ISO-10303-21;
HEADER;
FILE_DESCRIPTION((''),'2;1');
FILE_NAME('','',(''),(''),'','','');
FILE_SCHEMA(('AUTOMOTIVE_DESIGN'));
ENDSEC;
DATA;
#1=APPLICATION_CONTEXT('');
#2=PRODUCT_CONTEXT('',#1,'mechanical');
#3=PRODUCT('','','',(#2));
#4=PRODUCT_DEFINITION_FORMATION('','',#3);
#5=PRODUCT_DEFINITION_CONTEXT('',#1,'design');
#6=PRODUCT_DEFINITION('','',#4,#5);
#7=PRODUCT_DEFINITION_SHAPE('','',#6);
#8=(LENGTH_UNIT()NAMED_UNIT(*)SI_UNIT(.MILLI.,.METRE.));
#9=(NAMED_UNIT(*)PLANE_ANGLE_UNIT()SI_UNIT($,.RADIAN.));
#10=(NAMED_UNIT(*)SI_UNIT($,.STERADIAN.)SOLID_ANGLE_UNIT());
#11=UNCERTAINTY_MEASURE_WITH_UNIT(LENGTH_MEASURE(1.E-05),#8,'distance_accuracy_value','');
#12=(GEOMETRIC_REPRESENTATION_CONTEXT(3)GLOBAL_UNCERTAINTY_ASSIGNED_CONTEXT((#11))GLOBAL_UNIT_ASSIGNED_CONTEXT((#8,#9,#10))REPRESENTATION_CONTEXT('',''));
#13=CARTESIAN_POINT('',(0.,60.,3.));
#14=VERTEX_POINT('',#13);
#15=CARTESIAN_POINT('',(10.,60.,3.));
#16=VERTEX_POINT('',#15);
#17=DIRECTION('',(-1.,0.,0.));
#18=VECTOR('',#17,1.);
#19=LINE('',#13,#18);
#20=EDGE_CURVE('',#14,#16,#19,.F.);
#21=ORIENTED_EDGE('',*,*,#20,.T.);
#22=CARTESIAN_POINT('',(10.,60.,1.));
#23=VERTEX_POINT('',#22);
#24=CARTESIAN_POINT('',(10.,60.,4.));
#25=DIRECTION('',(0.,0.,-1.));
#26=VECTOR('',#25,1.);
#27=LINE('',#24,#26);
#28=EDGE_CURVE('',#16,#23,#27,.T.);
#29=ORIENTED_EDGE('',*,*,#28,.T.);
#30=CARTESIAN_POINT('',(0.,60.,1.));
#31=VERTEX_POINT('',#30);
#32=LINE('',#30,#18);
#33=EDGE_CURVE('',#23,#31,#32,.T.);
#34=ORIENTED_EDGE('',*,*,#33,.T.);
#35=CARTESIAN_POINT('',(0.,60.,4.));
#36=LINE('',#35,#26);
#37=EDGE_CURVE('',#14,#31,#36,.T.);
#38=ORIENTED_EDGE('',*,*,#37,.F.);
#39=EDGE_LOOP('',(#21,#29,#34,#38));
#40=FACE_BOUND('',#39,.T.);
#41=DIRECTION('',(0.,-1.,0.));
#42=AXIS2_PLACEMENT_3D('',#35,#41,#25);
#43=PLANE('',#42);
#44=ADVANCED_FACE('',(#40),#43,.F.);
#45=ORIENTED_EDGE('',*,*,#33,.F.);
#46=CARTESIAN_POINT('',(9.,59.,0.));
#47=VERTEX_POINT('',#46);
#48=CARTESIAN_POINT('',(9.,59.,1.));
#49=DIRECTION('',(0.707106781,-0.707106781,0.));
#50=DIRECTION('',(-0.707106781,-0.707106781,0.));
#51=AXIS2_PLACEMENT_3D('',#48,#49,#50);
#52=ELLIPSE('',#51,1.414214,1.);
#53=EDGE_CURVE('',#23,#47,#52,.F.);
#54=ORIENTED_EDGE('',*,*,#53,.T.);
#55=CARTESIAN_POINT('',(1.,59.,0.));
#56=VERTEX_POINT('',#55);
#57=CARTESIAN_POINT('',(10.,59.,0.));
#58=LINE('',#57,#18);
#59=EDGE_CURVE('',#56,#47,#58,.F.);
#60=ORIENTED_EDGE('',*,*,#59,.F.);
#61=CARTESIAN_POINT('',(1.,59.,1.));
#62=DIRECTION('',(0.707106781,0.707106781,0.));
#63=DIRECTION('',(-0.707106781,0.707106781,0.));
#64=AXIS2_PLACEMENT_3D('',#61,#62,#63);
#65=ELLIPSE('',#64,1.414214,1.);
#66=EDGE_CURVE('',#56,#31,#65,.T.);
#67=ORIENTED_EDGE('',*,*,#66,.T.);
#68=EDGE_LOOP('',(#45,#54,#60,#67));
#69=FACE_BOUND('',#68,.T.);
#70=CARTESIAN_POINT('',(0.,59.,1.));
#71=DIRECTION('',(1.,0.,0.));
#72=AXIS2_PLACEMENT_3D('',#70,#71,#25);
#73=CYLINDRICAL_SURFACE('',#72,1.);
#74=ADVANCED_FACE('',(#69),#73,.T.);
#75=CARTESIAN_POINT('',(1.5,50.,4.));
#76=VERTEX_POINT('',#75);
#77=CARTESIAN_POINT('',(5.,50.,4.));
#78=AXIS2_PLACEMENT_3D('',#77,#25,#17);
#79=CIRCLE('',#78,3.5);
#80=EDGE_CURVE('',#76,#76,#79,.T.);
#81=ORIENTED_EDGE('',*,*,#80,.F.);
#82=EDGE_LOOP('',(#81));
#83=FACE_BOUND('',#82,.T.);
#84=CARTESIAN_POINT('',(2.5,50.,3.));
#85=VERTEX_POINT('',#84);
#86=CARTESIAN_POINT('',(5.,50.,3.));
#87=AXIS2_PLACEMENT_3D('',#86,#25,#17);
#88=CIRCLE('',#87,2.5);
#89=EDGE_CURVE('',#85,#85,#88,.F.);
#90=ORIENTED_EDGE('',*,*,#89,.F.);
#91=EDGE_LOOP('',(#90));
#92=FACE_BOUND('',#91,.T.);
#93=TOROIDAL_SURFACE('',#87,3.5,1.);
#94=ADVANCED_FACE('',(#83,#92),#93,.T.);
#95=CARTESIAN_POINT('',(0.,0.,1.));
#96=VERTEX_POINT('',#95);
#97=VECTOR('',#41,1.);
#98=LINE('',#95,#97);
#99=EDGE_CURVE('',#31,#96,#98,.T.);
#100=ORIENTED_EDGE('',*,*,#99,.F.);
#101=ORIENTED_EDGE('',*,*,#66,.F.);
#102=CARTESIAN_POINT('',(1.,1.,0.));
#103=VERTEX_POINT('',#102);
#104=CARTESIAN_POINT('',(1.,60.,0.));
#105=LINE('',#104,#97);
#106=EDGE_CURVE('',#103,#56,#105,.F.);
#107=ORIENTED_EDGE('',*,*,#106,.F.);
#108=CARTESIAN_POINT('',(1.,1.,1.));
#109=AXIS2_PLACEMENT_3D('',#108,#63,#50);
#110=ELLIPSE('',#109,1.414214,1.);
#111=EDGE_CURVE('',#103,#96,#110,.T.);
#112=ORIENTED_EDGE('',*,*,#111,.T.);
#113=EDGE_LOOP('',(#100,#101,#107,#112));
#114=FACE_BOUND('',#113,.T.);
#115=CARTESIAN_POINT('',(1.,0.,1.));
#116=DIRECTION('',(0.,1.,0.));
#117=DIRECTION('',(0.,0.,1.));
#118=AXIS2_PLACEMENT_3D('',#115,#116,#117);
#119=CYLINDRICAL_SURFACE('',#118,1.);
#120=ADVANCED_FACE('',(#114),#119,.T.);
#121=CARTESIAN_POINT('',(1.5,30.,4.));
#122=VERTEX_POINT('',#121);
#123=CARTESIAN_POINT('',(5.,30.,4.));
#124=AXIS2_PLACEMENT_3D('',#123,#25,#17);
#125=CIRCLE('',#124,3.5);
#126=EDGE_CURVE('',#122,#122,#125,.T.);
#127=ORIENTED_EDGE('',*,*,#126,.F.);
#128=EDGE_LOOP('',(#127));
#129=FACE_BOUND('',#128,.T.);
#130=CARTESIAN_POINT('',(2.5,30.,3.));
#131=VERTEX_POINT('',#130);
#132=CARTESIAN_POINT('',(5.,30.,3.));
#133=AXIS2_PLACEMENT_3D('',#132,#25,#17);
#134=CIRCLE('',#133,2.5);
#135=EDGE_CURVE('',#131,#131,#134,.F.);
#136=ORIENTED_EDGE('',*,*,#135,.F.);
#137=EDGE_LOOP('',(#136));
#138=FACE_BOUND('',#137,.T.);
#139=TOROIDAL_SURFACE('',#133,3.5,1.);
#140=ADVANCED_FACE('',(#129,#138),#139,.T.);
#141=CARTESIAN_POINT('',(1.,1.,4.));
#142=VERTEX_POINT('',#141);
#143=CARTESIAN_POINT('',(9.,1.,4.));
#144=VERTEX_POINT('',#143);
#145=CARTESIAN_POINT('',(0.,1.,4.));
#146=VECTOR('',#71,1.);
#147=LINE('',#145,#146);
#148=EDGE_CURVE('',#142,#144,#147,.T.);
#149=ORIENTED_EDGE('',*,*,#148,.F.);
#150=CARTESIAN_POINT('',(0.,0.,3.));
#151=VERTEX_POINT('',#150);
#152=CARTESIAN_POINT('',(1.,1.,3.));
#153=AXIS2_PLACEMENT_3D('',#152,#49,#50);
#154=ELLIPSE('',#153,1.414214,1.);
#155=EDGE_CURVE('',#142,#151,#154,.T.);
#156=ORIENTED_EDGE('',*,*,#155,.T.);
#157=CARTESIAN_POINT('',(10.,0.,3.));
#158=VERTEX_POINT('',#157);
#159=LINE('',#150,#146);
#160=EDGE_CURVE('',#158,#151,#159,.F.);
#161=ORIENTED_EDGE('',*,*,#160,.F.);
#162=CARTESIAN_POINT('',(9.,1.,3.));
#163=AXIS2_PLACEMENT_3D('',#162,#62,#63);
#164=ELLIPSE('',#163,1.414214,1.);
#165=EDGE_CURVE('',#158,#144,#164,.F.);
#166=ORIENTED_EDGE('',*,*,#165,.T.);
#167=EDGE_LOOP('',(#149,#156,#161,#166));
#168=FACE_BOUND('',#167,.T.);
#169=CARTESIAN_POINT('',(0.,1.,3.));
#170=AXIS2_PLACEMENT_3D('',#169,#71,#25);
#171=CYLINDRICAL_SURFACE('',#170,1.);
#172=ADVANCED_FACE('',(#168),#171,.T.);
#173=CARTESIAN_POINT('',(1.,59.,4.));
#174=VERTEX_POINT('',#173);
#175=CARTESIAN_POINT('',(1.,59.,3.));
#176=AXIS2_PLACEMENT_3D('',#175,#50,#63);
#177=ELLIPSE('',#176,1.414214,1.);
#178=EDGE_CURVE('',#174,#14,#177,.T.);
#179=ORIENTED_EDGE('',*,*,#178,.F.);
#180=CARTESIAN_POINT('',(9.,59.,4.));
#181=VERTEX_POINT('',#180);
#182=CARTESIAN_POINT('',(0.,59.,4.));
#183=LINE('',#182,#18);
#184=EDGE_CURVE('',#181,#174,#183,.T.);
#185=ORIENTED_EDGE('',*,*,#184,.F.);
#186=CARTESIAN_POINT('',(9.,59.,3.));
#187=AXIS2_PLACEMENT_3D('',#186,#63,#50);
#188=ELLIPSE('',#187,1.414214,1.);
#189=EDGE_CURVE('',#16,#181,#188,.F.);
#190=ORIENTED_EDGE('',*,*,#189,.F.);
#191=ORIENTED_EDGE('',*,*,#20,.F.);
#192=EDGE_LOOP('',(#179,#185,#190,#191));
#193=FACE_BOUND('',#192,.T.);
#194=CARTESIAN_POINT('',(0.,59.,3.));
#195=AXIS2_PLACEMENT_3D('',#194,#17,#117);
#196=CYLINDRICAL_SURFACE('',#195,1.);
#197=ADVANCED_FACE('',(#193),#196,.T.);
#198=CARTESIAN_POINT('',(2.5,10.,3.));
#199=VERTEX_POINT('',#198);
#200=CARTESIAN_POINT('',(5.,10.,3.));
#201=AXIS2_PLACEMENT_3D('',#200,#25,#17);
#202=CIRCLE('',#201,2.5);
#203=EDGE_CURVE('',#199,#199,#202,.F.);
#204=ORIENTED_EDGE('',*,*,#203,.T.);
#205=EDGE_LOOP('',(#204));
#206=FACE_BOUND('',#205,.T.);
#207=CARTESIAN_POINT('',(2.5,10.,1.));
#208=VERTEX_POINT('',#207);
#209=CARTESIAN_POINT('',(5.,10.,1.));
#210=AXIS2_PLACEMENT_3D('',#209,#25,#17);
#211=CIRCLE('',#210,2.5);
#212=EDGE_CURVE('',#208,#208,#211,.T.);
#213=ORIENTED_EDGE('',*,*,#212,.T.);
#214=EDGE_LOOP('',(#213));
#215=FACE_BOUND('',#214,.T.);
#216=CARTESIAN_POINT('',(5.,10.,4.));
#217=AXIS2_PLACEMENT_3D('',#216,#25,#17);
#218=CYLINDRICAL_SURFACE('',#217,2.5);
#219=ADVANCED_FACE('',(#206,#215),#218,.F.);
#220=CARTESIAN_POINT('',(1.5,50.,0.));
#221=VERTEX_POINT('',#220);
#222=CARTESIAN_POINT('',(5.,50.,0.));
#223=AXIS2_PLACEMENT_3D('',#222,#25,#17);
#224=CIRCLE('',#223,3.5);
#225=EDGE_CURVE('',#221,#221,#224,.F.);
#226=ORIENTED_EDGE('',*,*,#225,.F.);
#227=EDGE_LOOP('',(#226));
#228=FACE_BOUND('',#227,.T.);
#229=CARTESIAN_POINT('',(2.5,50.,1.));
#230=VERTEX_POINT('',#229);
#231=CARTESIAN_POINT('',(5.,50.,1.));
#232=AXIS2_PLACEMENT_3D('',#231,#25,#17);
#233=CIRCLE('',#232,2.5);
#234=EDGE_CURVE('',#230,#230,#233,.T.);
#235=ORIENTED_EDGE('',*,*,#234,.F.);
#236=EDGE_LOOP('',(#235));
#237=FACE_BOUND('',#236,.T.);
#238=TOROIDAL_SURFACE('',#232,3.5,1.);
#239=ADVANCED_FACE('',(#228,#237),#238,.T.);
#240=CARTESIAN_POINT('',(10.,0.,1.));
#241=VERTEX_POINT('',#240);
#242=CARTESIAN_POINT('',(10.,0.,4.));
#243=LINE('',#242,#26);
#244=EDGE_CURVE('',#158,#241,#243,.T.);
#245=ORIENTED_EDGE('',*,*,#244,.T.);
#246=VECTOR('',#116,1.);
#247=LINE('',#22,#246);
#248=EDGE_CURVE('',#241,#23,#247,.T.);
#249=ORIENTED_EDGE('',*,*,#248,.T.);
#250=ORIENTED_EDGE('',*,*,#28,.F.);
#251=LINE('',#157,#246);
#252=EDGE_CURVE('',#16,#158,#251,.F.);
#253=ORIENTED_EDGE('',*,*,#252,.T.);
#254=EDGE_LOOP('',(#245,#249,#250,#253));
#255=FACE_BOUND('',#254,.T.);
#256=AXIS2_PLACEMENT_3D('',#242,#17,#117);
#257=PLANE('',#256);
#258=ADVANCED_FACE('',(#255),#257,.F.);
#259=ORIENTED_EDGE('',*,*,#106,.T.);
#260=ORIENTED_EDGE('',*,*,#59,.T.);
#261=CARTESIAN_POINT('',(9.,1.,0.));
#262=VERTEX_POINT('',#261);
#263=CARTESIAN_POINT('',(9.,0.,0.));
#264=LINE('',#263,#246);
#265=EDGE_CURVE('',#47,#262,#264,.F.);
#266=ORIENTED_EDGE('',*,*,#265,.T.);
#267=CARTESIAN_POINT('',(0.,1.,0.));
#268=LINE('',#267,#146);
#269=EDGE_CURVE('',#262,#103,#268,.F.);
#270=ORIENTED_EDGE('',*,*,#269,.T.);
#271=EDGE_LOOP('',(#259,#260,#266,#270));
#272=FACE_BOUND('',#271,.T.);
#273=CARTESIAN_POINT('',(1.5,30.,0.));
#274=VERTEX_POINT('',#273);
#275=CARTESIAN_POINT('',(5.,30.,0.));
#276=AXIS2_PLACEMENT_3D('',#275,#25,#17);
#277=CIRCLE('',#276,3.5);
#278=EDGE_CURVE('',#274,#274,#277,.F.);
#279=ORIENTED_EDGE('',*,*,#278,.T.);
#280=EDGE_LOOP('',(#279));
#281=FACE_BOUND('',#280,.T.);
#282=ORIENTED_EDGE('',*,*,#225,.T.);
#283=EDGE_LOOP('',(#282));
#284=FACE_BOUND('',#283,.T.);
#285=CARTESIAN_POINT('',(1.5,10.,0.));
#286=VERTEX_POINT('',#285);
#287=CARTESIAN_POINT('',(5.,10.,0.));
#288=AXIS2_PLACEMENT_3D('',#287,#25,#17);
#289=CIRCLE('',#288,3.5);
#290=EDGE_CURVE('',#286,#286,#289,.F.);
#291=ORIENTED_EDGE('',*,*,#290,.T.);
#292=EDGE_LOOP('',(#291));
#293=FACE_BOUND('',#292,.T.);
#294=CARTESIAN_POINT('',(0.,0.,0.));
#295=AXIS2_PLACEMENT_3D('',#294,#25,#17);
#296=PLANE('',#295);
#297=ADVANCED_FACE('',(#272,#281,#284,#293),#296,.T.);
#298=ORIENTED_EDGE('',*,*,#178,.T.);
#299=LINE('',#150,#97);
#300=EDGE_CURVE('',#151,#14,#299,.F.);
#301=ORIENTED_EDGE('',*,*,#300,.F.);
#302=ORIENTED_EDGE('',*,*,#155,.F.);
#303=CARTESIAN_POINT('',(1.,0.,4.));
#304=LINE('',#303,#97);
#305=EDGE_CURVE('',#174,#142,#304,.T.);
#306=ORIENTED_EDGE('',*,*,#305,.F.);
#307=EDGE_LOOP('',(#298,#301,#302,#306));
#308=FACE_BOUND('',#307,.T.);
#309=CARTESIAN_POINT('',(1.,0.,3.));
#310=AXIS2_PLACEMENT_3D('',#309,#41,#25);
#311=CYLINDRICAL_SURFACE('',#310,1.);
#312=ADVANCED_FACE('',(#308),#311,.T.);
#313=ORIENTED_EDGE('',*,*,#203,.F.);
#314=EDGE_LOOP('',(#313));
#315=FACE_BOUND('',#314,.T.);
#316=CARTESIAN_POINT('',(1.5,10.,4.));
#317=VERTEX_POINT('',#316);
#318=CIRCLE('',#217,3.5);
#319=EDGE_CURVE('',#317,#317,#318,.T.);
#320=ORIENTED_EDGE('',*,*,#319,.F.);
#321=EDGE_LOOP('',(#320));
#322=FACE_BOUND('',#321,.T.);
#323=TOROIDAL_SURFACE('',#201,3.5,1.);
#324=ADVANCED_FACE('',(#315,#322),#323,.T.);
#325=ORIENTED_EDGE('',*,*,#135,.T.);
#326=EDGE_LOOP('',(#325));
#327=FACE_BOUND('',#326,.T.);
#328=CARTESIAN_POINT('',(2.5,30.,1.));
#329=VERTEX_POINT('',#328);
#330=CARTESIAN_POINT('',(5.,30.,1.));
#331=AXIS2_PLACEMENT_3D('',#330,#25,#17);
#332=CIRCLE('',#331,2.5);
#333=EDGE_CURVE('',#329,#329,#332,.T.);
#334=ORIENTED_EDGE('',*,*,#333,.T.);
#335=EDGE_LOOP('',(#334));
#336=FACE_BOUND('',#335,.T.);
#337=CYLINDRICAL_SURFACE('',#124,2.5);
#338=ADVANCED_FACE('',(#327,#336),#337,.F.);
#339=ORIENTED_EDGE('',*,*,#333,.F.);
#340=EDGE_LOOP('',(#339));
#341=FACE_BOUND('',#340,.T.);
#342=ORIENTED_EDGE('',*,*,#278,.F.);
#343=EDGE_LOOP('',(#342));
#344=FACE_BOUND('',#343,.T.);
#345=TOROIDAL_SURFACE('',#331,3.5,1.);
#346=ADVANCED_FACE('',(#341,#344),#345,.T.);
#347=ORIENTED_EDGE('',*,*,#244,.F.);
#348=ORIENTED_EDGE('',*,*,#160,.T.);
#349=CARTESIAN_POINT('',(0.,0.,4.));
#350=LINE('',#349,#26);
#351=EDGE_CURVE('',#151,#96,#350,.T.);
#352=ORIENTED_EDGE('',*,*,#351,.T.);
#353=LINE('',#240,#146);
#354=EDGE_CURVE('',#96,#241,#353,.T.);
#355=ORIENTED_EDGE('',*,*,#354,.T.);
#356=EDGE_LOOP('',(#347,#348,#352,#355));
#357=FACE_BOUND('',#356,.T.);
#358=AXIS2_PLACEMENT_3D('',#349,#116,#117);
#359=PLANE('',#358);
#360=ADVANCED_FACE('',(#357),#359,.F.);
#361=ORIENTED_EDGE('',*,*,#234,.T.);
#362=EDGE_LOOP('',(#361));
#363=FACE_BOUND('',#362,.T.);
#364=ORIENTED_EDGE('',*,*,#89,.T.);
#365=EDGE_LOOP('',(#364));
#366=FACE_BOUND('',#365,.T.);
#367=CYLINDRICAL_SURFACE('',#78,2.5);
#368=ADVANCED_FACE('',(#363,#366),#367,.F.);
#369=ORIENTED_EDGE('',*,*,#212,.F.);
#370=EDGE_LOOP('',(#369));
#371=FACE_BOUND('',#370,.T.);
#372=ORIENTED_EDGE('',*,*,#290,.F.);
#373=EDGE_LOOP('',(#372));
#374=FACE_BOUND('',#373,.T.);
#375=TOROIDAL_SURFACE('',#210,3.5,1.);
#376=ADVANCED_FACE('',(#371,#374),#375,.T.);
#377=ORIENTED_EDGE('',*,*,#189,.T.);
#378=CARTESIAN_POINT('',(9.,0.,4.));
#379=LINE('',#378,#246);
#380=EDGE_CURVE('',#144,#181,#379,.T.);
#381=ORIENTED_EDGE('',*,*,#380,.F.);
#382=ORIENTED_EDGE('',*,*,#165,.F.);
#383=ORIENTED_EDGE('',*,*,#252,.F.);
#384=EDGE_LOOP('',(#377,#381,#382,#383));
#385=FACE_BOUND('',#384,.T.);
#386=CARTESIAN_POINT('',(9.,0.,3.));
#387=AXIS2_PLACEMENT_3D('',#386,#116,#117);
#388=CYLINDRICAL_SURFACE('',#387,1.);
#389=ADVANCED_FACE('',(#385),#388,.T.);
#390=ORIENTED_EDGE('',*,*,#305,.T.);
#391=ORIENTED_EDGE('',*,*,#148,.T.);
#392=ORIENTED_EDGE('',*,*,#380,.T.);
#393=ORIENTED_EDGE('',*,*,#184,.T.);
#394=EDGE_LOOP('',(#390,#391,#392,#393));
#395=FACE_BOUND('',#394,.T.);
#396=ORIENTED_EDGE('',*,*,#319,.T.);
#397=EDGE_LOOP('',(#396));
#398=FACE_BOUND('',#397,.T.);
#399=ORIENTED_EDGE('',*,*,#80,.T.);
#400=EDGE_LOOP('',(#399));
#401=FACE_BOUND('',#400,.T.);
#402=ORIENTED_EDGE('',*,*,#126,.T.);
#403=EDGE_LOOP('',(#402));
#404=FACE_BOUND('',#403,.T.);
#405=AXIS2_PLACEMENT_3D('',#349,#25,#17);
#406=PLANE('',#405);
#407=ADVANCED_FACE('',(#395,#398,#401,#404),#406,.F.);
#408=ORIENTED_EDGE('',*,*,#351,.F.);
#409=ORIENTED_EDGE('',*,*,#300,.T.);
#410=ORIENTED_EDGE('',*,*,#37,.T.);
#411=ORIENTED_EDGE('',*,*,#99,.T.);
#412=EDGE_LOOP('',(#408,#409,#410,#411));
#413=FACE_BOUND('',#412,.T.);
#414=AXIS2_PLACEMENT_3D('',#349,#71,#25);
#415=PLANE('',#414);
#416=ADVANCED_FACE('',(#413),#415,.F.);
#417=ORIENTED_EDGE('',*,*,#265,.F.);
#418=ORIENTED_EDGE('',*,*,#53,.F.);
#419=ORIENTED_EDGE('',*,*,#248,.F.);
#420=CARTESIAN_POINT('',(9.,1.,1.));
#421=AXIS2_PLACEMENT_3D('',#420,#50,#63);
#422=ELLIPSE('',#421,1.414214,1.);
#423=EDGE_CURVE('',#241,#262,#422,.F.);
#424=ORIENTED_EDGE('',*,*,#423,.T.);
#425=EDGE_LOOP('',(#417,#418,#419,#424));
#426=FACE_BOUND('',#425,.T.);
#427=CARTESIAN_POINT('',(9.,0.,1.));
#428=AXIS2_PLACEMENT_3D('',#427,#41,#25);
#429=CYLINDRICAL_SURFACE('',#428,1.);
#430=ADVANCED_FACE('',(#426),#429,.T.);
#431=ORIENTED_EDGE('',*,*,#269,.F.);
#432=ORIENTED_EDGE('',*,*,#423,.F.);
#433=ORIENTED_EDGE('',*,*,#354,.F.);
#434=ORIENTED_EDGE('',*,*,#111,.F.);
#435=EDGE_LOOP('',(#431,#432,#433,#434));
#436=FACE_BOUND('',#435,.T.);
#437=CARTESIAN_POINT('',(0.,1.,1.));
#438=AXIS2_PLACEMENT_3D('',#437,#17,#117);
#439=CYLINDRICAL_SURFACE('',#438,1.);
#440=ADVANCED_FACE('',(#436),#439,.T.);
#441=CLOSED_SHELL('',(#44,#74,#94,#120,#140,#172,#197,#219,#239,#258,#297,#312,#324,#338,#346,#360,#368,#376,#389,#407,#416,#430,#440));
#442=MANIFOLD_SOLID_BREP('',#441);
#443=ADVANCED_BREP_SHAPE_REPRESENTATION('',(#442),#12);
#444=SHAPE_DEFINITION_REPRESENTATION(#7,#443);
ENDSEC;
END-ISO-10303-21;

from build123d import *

# Parameters (mm, degrees)
SKETCH2_W           = 10
SKETCH2_H           = 60
SKETCH2_R           = 2.5
BOSS_EXTRUDE1_DEPTH = 4
FILLET1_R           = 1
FILLET2_R           = 1


with BuildPart() as part:
    # Sketch2 → Boss-Extrude1 (new body)
    with BuildSketch(Plane.XY):
        with Locations((5, 30)):
            Rectangle(SKETCH2_W, SKETCH2_H)
        with Locations((5, 50)):
            Circle(SKETCH2_R, mode=Mode.SUBTRACT)
        with Locations((5, 10)):
            Circle(SKETCH2_R, mode=Mode.SUBTRACT)
        with Locations((5, 30)):
            Circle(SKETCH2_R, mode=Mode.SUBTRACT)
    extrude(amount=BOSS_EXTRUDE1_DEPTH)

    # Fillet1
    fillet1_edges = [part.edges().sort_by_distance(p)[0] for p in [
        (2.5, 30, 4),
        (10, 30, 4),
        (2.5, 50, 0),
        (2.5, 50, 4),
        (5, 60, 4),
        (2.5, 10, 0),
        (2.5, 10, 4),
        (0, 30, 4),
        (5, 60, 0),
        (10, 30, 0),
        (5, 0, 0),
        (0, 30, 0),
        (5, 0, 4),
    ]]
    fillet(fillet1_edges, radius=FILLET1_R)

    # Fillet2
    fillet2_edges = [part.edges().sort_by_distance(p)[0] for p in [
        (2.5, 30, 0),
    ]]
    fillet(fillet2_edges, radius=FILLET2_R)


solid = part.part
